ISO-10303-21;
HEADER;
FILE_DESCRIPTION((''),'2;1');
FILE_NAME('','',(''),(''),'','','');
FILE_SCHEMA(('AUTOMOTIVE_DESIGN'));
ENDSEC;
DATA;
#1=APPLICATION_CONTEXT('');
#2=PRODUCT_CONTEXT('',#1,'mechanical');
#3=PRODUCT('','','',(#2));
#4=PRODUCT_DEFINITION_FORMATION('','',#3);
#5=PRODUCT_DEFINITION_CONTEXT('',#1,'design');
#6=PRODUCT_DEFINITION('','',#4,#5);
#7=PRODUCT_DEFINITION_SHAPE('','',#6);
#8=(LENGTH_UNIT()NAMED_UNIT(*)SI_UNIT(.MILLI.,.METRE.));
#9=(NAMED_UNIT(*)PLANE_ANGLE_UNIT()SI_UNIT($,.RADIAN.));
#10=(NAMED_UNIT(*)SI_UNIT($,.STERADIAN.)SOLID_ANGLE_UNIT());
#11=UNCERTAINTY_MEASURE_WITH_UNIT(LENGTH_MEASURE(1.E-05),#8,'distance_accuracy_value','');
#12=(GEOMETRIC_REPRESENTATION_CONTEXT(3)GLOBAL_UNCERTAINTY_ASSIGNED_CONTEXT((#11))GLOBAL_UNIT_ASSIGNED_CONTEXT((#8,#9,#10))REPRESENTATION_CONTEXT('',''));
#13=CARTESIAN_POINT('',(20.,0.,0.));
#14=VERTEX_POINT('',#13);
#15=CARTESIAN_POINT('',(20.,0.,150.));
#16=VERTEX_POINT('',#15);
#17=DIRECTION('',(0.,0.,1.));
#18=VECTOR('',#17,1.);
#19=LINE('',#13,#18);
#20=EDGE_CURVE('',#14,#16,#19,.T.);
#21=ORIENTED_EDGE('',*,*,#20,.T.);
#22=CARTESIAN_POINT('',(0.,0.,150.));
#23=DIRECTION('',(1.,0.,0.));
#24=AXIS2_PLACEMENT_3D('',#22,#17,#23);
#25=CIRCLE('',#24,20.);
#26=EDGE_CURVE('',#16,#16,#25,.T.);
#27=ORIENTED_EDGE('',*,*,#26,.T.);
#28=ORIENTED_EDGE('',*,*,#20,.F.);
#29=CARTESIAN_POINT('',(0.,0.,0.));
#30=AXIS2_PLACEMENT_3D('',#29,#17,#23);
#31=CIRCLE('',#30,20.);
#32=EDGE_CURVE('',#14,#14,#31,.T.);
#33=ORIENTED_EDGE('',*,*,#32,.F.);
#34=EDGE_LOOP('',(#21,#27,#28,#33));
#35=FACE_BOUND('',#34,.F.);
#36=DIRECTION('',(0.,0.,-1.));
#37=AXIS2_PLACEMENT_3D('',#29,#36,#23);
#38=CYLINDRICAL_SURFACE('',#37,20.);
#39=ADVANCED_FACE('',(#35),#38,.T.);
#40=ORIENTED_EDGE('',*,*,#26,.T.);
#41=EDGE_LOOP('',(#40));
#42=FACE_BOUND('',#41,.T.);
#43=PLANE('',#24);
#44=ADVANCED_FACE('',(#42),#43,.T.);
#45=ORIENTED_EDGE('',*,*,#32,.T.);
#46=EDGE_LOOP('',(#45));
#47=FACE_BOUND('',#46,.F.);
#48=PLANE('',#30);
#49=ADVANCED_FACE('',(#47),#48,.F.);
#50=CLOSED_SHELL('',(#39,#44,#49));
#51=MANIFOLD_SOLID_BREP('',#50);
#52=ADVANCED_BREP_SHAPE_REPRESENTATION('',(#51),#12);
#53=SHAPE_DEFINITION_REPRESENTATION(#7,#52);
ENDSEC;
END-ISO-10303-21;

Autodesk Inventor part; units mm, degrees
ref_plane "YZ Plane" through (0, 0, 0) normal (1, 0, 0) x (0, 1, 0)
ref_plane "XZ Plane" through (0, 0, 0) normal (0, 1, 0) x (-1, 0, 0)
ref_plane "XY Plane" through (0, 0, 0) normal (0, 0, 1) x (1, 0, 0)
sketch "Sketch1" plane through (0, 0, 0) normal (0, 0, 1) x (1, 0, 0)
  circle A0 centre (0, 0) radius 20
  dimension "d0" = 40
extrude "Extrusion1" add sketch "Sketch1" along normal blind 150
properties part number "pin pulley" material "Steel, Mild"
